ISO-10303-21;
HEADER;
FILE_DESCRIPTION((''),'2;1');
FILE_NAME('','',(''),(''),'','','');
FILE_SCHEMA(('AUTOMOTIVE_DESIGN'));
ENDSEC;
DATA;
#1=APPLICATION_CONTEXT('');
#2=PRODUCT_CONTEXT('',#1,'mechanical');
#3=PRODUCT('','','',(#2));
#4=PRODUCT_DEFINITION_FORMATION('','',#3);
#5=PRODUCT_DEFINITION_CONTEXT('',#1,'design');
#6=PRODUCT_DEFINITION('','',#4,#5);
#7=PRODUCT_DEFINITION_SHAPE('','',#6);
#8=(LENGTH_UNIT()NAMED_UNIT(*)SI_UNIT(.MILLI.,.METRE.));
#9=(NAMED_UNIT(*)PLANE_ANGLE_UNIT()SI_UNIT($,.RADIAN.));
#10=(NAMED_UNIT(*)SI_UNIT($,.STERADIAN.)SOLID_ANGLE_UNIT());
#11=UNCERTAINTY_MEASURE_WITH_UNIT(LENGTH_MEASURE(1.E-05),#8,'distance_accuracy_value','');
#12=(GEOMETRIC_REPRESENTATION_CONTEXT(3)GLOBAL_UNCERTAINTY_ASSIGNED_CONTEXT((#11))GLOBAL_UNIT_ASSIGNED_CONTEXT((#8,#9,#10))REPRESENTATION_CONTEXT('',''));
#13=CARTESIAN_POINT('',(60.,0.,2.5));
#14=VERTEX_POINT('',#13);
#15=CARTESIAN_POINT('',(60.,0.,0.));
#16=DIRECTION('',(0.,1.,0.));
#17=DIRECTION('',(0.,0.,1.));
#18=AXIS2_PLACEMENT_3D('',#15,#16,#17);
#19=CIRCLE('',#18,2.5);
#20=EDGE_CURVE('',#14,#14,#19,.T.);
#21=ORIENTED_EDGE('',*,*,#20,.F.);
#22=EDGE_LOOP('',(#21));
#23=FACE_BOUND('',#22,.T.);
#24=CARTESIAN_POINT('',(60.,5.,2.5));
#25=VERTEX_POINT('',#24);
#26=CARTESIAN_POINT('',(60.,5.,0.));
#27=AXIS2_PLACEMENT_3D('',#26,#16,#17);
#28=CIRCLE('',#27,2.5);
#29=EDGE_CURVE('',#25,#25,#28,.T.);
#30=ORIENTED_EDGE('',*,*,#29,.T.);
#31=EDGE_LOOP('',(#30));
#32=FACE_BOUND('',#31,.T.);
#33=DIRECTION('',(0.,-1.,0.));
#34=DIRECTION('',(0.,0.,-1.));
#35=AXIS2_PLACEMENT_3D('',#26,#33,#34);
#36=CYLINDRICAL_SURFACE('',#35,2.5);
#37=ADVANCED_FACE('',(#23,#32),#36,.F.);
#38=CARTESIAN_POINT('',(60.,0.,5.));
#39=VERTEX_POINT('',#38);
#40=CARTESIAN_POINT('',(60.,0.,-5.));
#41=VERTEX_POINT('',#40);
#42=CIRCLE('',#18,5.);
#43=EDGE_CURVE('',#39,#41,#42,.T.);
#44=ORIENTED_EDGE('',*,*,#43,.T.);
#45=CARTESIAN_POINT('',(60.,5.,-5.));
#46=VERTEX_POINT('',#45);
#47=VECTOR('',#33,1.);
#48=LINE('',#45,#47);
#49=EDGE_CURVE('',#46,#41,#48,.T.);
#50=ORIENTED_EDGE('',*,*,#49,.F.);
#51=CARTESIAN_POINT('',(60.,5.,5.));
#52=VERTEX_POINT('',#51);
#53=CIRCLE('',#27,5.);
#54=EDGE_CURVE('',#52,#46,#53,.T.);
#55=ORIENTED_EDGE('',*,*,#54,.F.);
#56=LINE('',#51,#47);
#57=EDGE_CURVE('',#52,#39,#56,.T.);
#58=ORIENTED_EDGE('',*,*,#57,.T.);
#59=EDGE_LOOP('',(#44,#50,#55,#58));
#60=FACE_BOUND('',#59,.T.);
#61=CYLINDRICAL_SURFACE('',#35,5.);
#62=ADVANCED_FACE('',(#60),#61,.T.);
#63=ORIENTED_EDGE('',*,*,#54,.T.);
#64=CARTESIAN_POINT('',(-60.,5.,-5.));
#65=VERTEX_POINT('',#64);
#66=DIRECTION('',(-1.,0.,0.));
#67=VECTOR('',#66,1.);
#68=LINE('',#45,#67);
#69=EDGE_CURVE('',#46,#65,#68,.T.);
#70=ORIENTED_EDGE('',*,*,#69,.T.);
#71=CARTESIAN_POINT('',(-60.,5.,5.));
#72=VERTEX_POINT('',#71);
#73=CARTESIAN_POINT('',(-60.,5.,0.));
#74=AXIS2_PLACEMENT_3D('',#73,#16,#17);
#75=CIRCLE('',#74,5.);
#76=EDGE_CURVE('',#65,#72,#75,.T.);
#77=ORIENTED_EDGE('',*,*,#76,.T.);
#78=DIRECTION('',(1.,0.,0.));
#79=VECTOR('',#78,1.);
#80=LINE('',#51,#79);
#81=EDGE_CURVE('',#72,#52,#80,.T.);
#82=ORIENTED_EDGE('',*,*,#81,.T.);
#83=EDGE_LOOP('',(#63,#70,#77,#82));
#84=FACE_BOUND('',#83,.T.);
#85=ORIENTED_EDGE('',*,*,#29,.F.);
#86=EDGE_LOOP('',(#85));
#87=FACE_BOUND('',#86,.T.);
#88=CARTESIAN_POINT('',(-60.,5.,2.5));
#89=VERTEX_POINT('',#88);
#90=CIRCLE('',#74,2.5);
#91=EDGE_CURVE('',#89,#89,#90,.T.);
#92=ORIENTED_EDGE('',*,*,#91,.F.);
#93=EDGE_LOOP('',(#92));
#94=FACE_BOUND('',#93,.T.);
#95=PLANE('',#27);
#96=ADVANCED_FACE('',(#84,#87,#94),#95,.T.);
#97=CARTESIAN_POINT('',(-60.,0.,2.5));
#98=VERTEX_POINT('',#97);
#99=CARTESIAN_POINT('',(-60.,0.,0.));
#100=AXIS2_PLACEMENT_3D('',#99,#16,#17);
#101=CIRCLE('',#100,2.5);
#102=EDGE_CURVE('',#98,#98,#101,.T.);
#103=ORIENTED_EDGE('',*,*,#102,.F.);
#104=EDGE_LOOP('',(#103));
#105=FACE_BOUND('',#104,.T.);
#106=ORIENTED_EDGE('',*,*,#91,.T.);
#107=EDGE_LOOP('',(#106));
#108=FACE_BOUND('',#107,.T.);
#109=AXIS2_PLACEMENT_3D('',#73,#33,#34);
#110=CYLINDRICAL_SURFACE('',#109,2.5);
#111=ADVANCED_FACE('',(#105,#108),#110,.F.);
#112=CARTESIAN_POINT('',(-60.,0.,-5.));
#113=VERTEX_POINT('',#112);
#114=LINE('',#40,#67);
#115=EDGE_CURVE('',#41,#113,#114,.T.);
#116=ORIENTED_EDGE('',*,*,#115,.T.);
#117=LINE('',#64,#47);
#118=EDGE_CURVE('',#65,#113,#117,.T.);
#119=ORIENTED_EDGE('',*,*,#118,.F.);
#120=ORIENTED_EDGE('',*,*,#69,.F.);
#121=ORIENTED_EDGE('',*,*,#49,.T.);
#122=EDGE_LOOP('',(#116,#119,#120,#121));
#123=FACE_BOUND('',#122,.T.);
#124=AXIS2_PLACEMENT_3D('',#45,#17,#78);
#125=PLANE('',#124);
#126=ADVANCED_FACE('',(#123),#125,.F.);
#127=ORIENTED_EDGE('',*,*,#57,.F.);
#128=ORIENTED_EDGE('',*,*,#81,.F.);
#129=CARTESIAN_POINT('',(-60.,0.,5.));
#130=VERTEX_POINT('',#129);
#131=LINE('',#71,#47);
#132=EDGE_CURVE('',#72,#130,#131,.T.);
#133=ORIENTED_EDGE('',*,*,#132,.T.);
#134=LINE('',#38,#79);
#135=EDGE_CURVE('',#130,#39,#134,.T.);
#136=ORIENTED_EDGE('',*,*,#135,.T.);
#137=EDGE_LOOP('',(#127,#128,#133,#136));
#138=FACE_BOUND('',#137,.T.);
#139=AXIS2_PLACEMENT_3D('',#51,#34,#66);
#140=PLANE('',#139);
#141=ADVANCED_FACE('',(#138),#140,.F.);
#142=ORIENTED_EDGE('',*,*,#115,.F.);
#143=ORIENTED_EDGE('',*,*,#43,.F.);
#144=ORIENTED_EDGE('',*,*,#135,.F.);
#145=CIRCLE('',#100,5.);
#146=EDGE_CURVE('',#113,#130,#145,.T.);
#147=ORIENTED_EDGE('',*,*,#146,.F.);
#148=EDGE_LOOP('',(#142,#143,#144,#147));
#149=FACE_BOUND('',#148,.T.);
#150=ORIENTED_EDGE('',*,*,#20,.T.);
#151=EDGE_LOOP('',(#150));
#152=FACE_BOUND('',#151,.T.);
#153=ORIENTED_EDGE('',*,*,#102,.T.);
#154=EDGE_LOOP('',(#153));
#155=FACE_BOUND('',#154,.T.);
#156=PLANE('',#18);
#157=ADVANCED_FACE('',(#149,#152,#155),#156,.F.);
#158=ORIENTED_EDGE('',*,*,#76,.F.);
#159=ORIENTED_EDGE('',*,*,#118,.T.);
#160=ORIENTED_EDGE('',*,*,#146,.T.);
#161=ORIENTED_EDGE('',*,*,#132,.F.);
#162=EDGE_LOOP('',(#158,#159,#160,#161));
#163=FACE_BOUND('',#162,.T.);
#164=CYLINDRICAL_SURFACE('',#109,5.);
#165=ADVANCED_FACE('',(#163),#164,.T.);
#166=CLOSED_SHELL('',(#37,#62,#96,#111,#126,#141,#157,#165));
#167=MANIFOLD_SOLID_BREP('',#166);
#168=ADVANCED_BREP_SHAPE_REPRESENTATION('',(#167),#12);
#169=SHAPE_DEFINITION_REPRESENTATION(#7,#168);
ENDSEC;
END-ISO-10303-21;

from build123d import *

# Parameters (mm, degrees)
SKETCH2_R           = 2.5
BOSS_EXTRUDE1_DEPTH = 5


with BuildPart() as part:
    # Sketch2 → Boss-Extrude1 (new body)
    with BuildSketch(Plane(origin=(0, 0, 0), x_dir=(1, 0, 0), z_dir=(0, 1, 0))):
        with BuildLine():
            Line((60, -5), (-60, -5))
            ThreePointArc((-60, -5), (-65, 0), (-60, 5))
            Line((-60, 5), (60, 5))
            ThreePointArc((60, 5), (65, 0), (60, -5))
        make_face()
        with Locations((60, 0)):
            Circle(SKETCH2_R, mode=Mode.SUBTRACT)
        with Locations((-60, 0)):
            Circle(SKETCH2_R, mode=Mode.SUBTRACT)
    extrude(amount=BOSS_EXTRUDE1_DEPTH)


solid = part.part
